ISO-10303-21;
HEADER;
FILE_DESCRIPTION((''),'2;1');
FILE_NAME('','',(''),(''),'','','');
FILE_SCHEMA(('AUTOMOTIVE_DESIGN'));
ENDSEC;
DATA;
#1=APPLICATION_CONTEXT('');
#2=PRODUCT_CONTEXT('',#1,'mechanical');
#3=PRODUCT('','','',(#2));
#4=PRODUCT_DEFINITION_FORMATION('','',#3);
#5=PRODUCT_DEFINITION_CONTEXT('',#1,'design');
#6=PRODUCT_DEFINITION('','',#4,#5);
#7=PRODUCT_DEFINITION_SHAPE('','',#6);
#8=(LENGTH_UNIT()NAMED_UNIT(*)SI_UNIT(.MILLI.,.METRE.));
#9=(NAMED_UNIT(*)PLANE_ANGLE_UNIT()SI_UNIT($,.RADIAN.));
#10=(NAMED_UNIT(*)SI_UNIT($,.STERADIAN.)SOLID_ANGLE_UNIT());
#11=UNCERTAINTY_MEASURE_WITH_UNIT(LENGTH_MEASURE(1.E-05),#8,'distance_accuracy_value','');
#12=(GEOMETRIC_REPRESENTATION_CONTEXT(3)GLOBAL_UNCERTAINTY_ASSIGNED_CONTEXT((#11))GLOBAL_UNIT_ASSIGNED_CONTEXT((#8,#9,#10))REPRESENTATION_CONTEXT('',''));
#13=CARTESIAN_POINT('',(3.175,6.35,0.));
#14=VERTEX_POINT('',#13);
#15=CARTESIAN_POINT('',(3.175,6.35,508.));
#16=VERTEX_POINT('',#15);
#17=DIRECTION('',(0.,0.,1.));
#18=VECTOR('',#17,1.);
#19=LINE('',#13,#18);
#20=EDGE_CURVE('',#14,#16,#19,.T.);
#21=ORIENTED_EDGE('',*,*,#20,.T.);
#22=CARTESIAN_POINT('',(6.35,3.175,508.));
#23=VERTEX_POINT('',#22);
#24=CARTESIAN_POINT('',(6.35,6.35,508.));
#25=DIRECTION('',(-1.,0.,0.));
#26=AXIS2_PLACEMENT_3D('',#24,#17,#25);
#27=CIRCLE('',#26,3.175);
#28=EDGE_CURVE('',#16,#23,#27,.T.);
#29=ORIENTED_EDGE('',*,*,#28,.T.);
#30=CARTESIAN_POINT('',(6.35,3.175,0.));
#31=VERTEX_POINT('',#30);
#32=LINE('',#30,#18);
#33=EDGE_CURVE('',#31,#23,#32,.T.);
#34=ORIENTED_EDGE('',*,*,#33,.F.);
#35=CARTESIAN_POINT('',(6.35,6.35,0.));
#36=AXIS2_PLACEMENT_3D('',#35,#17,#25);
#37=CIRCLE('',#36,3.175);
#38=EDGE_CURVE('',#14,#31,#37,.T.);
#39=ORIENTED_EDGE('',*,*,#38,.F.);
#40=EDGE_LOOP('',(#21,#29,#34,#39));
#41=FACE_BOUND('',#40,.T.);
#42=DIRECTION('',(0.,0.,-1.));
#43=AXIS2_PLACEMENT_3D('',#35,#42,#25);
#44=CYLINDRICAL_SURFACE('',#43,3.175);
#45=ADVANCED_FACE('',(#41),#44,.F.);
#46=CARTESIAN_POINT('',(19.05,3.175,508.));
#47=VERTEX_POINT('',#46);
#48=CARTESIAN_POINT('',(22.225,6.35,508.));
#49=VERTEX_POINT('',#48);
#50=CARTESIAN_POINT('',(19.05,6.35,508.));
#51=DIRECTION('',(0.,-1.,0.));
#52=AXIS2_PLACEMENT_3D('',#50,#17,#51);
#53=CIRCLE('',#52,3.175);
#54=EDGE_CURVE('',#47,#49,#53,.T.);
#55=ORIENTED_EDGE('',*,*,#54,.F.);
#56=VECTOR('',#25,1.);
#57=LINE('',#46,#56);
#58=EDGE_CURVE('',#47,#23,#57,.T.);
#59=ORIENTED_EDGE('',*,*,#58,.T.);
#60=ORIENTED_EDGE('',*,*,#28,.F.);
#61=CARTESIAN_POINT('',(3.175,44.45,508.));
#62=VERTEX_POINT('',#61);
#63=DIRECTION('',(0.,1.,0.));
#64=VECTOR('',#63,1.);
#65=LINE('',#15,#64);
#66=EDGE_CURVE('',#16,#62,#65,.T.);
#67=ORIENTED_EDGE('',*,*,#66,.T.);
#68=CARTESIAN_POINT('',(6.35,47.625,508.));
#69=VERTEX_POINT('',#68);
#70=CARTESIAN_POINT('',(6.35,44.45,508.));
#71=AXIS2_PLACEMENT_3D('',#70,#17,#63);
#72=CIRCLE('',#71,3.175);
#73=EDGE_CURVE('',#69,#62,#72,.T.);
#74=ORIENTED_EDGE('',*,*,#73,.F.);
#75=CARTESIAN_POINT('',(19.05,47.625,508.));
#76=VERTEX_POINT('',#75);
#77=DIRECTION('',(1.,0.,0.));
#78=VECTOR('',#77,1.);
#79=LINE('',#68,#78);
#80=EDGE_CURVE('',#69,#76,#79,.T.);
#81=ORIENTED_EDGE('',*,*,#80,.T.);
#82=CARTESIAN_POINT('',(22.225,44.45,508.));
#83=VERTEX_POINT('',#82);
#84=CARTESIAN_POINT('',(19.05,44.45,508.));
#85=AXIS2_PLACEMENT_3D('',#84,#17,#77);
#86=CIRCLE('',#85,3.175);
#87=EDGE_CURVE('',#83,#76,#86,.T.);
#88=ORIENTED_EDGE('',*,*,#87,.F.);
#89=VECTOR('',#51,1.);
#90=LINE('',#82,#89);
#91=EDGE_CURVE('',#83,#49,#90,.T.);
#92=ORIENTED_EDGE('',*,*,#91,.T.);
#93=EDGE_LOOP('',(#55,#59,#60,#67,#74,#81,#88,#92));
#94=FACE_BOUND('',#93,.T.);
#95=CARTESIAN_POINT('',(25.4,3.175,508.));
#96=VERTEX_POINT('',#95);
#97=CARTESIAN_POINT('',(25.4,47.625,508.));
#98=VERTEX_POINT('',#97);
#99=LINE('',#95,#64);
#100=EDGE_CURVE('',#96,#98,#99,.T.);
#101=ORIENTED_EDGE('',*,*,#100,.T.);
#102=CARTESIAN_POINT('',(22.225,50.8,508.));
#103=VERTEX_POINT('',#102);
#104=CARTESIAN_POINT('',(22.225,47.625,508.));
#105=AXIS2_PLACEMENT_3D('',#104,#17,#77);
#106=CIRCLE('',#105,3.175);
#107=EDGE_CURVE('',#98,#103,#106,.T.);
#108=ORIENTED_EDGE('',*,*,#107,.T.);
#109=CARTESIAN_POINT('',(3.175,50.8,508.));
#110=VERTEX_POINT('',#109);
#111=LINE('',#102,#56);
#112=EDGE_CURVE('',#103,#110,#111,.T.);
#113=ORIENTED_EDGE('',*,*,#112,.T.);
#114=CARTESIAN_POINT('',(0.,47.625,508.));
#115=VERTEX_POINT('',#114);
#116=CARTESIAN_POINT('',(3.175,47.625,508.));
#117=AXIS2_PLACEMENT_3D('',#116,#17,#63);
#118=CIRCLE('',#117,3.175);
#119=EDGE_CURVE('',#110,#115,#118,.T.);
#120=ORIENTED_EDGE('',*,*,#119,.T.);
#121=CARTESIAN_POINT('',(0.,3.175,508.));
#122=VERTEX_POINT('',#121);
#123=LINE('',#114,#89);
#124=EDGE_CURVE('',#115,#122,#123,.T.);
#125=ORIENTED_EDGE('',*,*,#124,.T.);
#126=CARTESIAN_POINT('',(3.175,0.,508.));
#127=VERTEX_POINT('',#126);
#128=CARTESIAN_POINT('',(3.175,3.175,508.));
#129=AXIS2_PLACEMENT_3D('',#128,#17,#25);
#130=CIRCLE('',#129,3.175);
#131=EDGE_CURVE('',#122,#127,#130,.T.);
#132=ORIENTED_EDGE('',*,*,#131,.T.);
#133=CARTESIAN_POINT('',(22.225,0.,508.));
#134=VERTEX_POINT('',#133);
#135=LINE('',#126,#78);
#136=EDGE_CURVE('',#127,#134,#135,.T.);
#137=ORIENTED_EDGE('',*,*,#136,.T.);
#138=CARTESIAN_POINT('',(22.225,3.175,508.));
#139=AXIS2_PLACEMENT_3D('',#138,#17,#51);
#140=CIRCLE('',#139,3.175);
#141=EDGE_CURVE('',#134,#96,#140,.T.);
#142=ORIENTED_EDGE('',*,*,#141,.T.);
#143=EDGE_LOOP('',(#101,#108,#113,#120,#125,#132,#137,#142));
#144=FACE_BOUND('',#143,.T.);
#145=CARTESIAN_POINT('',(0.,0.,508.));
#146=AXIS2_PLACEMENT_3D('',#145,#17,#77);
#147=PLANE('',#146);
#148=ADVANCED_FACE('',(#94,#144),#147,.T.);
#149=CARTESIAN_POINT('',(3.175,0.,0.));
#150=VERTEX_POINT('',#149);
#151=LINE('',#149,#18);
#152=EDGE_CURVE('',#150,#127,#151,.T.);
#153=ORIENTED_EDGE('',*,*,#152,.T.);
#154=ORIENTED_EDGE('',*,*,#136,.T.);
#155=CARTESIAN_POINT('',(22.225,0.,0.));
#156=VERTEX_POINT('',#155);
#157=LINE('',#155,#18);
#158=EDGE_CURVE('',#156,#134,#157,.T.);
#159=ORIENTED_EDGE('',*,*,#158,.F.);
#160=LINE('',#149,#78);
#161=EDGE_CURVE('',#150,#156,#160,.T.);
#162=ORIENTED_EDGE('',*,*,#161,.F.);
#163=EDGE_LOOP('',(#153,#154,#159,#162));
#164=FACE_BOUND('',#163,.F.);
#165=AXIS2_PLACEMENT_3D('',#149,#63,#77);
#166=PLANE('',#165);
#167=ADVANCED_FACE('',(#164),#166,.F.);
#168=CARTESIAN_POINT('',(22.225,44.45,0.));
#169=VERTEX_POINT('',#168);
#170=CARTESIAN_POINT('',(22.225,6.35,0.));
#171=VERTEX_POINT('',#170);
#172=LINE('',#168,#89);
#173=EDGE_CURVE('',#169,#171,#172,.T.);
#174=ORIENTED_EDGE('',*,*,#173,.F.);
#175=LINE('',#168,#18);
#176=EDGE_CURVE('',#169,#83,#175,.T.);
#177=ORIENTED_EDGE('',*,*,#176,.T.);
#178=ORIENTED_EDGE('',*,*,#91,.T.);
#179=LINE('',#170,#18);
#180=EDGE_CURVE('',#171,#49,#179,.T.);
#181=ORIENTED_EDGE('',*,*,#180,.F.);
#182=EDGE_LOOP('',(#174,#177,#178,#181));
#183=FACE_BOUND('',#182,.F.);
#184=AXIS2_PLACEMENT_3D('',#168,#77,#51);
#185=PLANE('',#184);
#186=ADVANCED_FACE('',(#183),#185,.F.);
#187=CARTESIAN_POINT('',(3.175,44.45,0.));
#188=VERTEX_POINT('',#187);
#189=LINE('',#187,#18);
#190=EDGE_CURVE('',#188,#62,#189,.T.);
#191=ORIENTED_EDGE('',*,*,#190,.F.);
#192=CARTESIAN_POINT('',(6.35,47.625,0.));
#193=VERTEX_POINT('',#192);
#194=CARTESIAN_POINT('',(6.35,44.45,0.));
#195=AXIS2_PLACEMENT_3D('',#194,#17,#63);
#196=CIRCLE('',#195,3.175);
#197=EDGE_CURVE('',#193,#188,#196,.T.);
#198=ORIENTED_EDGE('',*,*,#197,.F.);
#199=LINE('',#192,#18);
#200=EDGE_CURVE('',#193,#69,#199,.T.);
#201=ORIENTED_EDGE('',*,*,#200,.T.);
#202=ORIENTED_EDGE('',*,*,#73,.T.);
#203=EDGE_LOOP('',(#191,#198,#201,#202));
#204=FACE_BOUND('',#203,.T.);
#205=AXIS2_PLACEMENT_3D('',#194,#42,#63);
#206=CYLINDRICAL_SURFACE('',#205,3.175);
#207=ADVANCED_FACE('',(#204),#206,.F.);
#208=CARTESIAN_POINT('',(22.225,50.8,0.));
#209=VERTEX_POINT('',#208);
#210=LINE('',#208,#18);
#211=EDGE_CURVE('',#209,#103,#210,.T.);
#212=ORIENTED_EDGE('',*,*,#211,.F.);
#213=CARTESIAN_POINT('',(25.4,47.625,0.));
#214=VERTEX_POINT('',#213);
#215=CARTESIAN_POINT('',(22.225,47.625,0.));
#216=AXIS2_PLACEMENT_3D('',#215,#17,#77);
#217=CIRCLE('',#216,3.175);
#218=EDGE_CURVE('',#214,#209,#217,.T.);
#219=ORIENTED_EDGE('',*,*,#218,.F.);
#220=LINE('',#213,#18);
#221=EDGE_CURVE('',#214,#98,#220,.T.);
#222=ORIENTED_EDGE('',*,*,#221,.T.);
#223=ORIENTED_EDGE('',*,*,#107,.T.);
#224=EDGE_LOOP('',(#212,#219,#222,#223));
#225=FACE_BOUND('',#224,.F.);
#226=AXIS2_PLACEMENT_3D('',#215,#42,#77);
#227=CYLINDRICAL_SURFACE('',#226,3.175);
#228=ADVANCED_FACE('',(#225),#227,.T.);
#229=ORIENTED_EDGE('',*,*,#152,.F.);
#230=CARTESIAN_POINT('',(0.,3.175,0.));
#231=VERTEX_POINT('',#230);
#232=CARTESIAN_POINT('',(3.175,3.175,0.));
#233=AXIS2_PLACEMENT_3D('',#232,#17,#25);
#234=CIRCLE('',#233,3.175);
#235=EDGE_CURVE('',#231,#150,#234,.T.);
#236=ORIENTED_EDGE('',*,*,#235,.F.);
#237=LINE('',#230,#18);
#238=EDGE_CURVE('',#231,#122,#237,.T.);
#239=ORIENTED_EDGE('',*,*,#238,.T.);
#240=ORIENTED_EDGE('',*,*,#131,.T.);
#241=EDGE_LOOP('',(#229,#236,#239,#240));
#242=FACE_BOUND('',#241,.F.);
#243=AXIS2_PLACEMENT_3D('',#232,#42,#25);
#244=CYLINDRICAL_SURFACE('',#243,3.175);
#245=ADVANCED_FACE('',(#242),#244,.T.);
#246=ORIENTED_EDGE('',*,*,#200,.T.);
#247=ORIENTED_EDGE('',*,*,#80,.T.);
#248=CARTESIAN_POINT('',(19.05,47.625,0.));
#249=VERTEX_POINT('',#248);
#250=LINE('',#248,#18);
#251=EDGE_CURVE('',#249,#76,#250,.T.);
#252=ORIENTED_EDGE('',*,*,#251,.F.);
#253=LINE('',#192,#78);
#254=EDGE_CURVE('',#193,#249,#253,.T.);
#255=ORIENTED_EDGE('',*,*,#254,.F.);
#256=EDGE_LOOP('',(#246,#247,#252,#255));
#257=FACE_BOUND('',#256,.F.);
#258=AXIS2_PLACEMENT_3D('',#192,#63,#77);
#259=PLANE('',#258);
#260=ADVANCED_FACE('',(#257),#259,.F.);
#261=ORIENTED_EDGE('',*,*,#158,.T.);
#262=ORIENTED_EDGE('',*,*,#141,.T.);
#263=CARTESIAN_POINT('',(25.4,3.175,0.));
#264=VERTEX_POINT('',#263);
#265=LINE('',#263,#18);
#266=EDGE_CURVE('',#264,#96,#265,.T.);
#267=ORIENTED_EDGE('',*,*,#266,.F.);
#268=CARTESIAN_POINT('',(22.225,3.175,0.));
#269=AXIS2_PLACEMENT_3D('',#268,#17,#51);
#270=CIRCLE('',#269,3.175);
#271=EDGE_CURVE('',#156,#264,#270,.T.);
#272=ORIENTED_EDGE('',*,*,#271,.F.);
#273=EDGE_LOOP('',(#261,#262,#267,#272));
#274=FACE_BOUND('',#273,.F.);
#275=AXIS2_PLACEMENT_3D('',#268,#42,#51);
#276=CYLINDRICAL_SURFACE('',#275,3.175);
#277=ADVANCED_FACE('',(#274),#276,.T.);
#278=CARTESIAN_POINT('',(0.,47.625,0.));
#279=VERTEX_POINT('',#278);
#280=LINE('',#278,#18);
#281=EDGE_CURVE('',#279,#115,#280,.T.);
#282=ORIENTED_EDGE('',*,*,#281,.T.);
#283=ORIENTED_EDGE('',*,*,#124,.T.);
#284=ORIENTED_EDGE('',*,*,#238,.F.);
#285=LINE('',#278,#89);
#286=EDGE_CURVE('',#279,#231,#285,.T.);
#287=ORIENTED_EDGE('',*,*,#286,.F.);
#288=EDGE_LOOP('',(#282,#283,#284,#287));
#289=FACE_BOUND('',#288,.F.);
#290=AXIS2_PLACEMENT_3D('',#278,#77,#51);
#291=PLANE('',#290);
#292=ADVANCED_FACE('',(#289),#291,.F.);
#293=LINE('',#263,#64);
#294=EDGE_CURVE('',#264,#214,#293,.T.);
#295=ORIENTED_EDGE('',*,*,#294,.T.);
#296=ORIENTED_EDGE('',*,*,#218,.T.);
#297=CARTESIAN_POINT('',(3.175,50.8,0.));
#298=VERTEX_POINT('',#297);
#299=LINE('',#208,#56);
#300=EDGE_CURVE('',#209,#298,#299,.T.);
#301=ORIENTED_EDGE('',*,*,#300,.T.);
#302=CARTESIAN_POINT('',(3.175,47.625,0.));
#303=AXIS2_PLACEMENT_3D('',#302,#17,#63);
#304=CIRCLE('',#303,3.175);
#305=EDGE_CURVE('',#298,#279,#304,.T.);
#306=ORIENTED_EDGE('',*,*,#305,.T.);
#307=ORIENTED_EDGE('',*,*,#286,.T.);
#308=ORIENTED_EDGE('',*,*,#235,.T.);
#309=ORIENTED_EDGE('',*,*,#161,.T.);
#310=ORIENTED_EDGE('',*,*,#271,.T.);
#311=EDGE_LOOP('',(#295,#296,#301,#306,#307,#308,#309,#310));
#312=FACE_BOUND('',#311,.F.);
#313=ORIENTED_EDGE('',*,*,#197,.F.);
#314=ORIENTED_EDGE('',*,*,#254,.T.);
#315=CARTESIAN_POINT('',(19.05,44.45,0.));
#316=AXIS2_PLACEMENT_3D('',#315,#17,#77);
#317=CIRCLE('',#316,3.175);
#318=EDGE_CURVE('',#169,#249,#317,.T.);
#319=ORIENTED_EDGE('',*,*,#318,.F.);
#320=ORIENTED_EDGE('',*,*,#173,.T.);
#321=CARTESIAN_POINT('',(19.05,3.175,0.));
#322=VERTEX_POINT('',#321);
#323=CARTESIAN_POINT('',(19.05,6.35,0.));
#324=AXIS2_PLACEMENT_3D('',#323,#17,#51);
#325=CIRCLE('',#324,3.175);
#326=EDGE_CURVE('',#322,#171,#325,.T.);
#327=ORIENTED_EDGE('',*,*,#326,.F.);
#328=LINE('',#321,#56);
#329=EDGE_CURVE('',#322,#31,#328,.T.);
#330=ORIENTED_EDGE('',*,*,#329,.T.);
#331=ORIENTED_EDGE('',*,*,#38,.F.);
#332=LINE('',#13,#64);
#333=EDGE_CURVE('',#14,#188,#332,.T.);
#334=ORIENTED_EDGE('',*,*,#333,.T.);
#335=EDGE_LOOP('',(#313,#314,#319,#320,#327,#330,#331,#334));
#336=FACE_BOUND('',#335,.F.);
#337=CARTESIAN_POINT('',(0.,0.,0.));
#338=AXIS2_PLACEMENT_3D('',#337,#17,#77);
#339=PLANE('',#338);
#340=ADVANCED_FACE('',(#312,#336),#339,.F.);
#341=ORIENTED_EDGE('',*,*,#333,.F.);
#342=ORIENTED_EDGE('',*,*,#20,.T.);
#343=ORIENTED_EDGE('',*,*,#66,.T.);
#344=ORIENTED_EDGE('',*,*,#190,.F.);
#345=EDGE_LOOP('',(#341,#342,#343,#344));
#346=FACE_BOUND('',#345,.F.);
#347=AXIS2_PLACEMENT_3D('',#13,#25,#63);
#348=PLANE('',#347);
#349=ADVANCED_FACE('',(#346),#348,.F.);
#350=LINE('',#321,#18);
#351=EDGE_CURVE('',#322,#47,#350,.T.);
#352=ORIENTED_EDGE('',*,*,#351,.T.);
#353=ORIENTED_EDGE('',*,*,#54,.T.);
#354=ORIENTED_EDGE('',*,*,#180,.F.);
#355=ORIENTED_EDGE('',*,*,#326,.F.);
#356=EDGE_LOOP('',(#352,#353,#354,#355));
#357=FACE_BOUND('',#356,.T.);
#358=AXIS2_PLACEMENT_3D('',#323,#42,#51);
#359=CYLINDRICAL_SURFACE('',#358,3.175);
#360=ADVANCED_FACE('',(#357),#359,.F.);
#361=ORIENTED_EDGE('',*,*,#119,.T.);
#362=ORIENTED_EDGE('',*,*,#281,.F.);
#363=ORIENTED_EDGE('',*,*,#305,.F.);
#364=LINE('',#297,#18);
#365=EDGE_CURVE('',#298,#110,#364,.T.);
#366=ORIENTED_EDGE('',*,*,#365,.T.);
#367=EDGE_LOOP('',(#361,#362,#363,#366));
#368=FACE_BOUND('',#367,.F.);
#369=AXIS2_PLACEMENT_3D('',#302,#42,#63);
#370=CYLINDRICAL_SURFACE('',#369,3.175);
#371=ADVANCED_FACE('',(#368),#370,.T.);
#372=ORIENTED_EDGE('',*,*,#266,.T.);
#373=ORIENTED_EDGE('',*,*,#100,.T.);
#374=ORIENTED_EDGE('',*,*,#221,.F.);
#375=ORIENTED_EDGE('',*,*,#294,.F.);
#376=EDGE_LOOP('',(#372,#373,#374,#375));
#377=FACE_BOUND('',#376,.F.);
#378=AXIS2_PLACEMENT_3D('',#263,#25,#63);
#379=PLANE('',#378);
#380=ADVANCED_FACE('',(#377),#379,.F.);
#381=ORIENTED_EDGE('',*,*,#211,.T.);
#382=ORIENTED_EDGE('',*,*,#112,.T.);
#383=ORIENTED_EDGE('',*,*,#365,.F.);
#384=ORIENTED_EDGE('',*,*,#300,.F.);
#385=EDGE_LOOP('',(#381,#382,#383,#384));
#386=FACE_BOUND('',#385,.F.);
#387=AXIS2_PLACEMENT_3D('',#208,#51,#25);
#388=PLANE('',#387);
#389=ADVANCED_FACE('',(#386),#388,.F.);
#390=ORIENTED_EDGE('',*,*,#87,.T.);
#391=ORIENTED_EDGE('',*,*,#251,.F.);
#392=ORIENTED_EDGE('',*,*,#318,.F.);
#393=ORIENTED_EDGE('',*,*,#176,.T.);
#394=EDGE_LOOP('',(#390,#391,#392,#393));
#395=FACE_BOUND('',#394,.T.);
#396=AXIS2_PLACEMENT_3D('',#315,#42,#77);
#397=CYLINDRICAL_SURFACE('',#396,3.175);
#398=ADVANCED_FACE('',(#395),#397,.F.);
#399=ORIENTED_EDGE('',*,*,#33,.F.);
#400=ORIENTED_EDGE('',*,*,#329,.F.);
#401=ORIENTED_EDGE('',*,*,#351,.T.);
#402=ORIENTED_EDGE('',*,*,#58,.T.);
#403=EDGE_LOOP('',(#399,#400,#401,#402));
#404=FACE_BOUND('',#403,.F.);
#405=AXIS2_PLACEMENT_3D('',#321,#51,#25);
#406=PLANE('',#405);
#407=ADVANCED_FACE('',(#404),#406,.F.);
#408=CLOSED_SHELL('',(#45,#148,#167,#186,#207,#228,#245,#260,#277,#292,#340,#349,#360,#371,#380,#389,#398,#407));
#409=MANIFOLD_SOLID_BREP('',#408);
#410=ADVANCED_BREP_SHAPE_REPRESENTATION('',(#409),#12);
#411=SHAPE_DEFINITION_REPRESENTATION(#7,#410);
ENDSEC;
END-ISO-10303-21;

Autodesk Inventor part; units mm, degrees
ref_plane "YZ Plane" through (0, 0, 0) normal (1, 0, 0) x (0, 1, 0)
ref_plane "XZ Plane" through (0, 0, 0) normal (0, 1, 0) x (-1, 0, 0)
ref_plane "XY Plane" through (0, 0, 0) normal (0, 0, 1) x (1, 0, 0)
sketch "Sketch1" plane through (0, 0, 0) normal (0, 0, 1) x (1, 0, 0)
  line L0 (3.175, 0) -> (22.225, 0)
  line L1 (25.4, 3.175) -> (25.4, 47.625)
  line L2 (22.225, 50.8) -> (3.175, 50.8)
  line L3 (0, 47.625) -> (0, 3.175)
  arc A0 (3.175, 50.8) -> (0, 47.625) centre (3.175, 47.625) ccw
  arc A1 (25.4, 47.625) -> (22.225, 50.8) centre (22.225, 47.625) ccw
  arc A2 (22.225, 0) -> (25.4, 3.175) centre (22.225, 3.175) ccw
  arc A3 (0, 3.175) -> (3.175, 0) centre (3.175, 3.175) ccw
  line L4 (6.35, 47.625) -> (19.05, 47.625)
  line L5 (22.225, 44.45) -> (22.225, 6.35)
  line L6 (19.05, 3.175) -> (6.35, 3.175)
  line L7 (3.175, 6.35) -> (3.175, 44.45)
  arc A4 (6.35, 47.625) -> (3.175, 44.45) centre (6.35, 44.45) ccw
  arc A5 (22.225, 44.45) -> (19.05, 47.625) centre (19.05, 44.45) ccw
  arc A6 (3.175, 6.35) -> (6.35, 3.175) centre (6.35, 6.35) ccw
  arc A7 (19.05, 3.175) -> (22.225, 6.35) centre (19.05, 6.35) ccw
  point P0 (0, 0)
  point P1 (25.4, 0)
  point P2 (0, 50.8)
  dimension "d0" = 50.8
  dimension "d1" = 25.4
  dimension "d2" = 3.175
  dimension "d3" = 3.175
  dimension "d4" = 3.175
  dimension "d5" = 3.175
  dimension "d6" = 3.175
  dimension "d7" = 3.175
  dimension "d8" = 3.175
  dimension "d9" = 3.175
  dimension "d10" = 3.175
extrude "Extrusion1" add sketch "Sketch1" along normal blind 508
properties part number "O channel 20 inch"
